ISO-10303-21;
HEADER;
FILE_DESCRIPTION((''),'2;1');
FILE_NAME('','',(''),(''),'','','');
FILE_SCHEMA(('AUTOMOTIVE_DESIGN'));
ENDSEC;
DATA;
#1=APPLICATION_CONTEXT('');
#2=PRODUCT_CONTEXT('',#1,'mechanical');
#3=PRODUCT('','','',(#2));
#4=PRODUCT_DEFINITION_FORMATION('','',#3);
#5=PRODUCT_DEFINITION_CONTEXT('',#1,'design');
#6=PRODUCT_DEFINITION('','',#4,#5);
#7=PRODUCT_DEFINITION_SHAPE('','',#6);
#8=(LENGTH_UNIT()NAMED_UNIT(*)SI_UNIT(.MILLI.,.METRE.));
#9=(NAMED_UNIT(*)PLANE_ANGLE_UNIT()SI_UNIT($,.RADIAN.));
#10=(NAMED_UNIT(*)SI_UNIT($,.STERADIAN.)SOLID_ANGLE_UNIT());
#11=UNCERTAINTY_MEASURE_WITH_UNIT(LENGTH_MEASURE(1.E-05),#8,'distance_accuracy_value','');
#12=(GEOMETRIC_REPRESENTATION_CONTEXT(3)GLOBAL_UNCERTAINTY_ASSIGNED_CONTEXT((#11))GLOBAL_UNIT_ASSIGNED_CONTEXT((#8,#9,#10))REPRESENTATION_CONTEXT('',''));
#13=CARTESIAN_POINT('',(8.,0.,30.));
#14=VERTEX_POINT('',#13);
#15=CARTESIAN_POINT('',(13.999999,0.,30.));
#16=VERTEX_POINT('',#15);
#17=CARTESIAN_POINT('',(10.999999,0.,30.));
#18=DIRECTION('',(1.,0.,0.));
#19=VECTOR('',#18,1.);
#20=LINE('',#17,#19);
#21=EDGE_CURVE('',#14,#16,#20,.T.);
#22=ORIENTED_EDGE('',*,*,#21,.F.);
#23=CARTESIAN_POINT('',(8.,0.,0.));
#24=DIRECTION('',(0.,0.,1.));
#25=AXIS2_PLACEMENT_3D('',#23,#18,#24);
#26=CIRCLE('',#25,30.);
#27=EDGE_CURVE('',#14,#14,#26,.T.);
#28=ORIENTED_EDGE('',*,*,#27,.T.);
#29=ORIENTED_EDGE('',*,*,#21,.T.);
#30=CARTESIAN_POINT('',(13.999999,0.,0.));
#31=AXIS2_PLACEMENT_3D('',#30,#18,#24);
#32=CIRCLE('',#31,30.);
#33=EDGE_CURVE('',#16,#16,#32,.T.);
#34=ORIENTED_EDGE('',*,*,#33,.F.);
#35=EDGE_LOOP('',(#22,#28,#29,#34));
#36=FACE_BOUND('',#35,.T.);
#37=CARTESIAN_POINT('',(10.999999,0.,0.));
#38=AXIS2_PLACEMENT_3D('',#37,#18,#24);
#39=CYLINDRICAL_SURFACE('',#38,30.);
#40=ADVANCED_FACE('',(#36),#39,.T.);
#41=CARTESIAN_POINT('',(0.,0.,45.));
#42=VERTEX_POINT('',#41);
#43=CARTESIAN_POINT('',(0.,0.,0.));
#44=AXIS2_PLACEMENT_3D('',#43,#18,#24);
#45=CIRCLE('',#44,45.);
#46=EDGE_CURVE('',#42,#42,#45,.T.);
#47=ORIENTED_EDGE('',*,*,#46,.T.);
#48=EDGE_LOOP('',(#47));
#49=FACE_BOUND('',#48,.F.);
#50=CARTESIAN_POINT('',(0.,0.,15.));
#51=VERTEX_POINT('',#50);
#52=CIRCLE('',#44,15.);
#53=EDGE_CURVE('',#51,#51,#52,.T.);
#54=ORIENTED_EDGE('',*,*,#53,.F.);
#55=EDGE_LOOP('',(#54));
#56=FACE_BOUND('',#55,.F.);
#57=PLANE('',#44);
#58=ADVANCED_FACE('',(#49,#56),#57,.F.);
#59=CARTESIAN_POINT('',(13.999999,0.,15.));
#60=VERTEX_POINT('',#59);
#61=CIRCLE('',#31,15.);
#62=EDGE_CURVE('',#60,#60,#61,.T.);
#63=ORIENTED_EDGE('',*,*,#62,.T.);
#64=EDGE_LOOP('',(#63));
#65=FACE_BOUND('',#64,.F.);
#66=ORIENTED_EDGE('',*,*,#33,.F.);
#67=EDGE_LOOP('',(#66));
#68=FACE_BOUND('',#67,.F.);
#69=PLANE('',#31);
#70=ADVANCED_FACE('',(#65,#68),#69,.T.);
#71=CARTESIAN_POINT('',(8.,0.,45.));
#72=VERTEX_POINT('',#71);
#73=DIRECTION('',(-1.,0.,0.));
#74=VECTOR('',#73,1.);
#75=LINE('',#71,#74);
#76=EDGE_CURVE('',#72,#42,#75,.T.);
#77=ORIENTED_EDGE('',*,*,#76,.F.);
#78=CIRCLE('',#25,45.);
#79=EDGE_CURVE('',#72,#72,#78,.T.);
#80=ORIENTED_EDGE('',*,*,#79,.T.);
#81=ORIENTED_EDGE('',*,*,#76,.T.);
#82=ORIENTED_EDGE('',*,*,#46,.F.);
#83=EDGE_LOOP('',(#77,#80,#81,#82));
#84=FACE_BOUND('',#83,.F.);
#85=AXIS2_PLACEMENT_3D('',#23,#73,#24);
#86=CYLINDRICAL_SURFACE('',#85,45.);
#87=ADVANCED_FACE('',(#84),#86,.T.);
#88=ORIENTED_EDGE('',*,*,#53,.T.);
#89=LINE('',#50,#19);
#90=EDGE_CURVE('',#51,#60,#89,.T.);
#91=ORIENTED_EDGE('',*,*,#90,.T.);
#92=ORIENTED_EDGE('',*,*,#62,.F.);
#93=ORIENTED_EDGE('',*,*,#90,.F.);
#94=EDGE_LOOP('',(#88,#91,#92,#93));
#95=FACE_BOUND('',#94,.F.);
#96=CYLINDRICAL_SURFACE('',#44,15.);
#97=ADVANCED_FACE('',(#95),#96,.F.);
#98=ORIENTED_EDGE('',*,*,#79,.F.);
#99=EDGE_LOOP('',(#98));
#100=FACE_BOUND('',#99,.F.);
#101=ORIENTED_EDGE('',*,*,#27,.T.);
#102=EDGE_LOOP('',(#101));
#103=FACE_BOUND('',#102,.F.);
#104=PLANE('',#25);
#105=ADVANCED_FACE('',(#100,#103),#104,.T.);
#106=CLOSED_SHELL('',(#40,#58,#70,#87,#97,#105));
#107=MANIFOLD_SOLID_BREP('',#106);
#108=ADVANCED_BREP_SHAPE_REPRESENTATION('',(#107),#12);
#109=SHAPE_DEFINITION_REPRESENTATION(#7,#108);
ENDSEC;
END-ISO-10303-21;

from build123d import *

# Parameters (mm, degrees)
F0_W = 5.999999
F0_H = 15


with BuildPart() as f1:
    # F0 (on Front) → F1 (revolve)
    with BuildSketch(Plane.XZ):
        Polygon((8, 45), (0, 45), (0, 15), (8, 15), (8, 30), align=None)
        with Locations((10.999999, 22.5)):
            Rectangle(F0_W, F0_H)
    revolve(axis=Axis((20.377468, 0, 0), (1, 0, 0)))


solid = f1.part
